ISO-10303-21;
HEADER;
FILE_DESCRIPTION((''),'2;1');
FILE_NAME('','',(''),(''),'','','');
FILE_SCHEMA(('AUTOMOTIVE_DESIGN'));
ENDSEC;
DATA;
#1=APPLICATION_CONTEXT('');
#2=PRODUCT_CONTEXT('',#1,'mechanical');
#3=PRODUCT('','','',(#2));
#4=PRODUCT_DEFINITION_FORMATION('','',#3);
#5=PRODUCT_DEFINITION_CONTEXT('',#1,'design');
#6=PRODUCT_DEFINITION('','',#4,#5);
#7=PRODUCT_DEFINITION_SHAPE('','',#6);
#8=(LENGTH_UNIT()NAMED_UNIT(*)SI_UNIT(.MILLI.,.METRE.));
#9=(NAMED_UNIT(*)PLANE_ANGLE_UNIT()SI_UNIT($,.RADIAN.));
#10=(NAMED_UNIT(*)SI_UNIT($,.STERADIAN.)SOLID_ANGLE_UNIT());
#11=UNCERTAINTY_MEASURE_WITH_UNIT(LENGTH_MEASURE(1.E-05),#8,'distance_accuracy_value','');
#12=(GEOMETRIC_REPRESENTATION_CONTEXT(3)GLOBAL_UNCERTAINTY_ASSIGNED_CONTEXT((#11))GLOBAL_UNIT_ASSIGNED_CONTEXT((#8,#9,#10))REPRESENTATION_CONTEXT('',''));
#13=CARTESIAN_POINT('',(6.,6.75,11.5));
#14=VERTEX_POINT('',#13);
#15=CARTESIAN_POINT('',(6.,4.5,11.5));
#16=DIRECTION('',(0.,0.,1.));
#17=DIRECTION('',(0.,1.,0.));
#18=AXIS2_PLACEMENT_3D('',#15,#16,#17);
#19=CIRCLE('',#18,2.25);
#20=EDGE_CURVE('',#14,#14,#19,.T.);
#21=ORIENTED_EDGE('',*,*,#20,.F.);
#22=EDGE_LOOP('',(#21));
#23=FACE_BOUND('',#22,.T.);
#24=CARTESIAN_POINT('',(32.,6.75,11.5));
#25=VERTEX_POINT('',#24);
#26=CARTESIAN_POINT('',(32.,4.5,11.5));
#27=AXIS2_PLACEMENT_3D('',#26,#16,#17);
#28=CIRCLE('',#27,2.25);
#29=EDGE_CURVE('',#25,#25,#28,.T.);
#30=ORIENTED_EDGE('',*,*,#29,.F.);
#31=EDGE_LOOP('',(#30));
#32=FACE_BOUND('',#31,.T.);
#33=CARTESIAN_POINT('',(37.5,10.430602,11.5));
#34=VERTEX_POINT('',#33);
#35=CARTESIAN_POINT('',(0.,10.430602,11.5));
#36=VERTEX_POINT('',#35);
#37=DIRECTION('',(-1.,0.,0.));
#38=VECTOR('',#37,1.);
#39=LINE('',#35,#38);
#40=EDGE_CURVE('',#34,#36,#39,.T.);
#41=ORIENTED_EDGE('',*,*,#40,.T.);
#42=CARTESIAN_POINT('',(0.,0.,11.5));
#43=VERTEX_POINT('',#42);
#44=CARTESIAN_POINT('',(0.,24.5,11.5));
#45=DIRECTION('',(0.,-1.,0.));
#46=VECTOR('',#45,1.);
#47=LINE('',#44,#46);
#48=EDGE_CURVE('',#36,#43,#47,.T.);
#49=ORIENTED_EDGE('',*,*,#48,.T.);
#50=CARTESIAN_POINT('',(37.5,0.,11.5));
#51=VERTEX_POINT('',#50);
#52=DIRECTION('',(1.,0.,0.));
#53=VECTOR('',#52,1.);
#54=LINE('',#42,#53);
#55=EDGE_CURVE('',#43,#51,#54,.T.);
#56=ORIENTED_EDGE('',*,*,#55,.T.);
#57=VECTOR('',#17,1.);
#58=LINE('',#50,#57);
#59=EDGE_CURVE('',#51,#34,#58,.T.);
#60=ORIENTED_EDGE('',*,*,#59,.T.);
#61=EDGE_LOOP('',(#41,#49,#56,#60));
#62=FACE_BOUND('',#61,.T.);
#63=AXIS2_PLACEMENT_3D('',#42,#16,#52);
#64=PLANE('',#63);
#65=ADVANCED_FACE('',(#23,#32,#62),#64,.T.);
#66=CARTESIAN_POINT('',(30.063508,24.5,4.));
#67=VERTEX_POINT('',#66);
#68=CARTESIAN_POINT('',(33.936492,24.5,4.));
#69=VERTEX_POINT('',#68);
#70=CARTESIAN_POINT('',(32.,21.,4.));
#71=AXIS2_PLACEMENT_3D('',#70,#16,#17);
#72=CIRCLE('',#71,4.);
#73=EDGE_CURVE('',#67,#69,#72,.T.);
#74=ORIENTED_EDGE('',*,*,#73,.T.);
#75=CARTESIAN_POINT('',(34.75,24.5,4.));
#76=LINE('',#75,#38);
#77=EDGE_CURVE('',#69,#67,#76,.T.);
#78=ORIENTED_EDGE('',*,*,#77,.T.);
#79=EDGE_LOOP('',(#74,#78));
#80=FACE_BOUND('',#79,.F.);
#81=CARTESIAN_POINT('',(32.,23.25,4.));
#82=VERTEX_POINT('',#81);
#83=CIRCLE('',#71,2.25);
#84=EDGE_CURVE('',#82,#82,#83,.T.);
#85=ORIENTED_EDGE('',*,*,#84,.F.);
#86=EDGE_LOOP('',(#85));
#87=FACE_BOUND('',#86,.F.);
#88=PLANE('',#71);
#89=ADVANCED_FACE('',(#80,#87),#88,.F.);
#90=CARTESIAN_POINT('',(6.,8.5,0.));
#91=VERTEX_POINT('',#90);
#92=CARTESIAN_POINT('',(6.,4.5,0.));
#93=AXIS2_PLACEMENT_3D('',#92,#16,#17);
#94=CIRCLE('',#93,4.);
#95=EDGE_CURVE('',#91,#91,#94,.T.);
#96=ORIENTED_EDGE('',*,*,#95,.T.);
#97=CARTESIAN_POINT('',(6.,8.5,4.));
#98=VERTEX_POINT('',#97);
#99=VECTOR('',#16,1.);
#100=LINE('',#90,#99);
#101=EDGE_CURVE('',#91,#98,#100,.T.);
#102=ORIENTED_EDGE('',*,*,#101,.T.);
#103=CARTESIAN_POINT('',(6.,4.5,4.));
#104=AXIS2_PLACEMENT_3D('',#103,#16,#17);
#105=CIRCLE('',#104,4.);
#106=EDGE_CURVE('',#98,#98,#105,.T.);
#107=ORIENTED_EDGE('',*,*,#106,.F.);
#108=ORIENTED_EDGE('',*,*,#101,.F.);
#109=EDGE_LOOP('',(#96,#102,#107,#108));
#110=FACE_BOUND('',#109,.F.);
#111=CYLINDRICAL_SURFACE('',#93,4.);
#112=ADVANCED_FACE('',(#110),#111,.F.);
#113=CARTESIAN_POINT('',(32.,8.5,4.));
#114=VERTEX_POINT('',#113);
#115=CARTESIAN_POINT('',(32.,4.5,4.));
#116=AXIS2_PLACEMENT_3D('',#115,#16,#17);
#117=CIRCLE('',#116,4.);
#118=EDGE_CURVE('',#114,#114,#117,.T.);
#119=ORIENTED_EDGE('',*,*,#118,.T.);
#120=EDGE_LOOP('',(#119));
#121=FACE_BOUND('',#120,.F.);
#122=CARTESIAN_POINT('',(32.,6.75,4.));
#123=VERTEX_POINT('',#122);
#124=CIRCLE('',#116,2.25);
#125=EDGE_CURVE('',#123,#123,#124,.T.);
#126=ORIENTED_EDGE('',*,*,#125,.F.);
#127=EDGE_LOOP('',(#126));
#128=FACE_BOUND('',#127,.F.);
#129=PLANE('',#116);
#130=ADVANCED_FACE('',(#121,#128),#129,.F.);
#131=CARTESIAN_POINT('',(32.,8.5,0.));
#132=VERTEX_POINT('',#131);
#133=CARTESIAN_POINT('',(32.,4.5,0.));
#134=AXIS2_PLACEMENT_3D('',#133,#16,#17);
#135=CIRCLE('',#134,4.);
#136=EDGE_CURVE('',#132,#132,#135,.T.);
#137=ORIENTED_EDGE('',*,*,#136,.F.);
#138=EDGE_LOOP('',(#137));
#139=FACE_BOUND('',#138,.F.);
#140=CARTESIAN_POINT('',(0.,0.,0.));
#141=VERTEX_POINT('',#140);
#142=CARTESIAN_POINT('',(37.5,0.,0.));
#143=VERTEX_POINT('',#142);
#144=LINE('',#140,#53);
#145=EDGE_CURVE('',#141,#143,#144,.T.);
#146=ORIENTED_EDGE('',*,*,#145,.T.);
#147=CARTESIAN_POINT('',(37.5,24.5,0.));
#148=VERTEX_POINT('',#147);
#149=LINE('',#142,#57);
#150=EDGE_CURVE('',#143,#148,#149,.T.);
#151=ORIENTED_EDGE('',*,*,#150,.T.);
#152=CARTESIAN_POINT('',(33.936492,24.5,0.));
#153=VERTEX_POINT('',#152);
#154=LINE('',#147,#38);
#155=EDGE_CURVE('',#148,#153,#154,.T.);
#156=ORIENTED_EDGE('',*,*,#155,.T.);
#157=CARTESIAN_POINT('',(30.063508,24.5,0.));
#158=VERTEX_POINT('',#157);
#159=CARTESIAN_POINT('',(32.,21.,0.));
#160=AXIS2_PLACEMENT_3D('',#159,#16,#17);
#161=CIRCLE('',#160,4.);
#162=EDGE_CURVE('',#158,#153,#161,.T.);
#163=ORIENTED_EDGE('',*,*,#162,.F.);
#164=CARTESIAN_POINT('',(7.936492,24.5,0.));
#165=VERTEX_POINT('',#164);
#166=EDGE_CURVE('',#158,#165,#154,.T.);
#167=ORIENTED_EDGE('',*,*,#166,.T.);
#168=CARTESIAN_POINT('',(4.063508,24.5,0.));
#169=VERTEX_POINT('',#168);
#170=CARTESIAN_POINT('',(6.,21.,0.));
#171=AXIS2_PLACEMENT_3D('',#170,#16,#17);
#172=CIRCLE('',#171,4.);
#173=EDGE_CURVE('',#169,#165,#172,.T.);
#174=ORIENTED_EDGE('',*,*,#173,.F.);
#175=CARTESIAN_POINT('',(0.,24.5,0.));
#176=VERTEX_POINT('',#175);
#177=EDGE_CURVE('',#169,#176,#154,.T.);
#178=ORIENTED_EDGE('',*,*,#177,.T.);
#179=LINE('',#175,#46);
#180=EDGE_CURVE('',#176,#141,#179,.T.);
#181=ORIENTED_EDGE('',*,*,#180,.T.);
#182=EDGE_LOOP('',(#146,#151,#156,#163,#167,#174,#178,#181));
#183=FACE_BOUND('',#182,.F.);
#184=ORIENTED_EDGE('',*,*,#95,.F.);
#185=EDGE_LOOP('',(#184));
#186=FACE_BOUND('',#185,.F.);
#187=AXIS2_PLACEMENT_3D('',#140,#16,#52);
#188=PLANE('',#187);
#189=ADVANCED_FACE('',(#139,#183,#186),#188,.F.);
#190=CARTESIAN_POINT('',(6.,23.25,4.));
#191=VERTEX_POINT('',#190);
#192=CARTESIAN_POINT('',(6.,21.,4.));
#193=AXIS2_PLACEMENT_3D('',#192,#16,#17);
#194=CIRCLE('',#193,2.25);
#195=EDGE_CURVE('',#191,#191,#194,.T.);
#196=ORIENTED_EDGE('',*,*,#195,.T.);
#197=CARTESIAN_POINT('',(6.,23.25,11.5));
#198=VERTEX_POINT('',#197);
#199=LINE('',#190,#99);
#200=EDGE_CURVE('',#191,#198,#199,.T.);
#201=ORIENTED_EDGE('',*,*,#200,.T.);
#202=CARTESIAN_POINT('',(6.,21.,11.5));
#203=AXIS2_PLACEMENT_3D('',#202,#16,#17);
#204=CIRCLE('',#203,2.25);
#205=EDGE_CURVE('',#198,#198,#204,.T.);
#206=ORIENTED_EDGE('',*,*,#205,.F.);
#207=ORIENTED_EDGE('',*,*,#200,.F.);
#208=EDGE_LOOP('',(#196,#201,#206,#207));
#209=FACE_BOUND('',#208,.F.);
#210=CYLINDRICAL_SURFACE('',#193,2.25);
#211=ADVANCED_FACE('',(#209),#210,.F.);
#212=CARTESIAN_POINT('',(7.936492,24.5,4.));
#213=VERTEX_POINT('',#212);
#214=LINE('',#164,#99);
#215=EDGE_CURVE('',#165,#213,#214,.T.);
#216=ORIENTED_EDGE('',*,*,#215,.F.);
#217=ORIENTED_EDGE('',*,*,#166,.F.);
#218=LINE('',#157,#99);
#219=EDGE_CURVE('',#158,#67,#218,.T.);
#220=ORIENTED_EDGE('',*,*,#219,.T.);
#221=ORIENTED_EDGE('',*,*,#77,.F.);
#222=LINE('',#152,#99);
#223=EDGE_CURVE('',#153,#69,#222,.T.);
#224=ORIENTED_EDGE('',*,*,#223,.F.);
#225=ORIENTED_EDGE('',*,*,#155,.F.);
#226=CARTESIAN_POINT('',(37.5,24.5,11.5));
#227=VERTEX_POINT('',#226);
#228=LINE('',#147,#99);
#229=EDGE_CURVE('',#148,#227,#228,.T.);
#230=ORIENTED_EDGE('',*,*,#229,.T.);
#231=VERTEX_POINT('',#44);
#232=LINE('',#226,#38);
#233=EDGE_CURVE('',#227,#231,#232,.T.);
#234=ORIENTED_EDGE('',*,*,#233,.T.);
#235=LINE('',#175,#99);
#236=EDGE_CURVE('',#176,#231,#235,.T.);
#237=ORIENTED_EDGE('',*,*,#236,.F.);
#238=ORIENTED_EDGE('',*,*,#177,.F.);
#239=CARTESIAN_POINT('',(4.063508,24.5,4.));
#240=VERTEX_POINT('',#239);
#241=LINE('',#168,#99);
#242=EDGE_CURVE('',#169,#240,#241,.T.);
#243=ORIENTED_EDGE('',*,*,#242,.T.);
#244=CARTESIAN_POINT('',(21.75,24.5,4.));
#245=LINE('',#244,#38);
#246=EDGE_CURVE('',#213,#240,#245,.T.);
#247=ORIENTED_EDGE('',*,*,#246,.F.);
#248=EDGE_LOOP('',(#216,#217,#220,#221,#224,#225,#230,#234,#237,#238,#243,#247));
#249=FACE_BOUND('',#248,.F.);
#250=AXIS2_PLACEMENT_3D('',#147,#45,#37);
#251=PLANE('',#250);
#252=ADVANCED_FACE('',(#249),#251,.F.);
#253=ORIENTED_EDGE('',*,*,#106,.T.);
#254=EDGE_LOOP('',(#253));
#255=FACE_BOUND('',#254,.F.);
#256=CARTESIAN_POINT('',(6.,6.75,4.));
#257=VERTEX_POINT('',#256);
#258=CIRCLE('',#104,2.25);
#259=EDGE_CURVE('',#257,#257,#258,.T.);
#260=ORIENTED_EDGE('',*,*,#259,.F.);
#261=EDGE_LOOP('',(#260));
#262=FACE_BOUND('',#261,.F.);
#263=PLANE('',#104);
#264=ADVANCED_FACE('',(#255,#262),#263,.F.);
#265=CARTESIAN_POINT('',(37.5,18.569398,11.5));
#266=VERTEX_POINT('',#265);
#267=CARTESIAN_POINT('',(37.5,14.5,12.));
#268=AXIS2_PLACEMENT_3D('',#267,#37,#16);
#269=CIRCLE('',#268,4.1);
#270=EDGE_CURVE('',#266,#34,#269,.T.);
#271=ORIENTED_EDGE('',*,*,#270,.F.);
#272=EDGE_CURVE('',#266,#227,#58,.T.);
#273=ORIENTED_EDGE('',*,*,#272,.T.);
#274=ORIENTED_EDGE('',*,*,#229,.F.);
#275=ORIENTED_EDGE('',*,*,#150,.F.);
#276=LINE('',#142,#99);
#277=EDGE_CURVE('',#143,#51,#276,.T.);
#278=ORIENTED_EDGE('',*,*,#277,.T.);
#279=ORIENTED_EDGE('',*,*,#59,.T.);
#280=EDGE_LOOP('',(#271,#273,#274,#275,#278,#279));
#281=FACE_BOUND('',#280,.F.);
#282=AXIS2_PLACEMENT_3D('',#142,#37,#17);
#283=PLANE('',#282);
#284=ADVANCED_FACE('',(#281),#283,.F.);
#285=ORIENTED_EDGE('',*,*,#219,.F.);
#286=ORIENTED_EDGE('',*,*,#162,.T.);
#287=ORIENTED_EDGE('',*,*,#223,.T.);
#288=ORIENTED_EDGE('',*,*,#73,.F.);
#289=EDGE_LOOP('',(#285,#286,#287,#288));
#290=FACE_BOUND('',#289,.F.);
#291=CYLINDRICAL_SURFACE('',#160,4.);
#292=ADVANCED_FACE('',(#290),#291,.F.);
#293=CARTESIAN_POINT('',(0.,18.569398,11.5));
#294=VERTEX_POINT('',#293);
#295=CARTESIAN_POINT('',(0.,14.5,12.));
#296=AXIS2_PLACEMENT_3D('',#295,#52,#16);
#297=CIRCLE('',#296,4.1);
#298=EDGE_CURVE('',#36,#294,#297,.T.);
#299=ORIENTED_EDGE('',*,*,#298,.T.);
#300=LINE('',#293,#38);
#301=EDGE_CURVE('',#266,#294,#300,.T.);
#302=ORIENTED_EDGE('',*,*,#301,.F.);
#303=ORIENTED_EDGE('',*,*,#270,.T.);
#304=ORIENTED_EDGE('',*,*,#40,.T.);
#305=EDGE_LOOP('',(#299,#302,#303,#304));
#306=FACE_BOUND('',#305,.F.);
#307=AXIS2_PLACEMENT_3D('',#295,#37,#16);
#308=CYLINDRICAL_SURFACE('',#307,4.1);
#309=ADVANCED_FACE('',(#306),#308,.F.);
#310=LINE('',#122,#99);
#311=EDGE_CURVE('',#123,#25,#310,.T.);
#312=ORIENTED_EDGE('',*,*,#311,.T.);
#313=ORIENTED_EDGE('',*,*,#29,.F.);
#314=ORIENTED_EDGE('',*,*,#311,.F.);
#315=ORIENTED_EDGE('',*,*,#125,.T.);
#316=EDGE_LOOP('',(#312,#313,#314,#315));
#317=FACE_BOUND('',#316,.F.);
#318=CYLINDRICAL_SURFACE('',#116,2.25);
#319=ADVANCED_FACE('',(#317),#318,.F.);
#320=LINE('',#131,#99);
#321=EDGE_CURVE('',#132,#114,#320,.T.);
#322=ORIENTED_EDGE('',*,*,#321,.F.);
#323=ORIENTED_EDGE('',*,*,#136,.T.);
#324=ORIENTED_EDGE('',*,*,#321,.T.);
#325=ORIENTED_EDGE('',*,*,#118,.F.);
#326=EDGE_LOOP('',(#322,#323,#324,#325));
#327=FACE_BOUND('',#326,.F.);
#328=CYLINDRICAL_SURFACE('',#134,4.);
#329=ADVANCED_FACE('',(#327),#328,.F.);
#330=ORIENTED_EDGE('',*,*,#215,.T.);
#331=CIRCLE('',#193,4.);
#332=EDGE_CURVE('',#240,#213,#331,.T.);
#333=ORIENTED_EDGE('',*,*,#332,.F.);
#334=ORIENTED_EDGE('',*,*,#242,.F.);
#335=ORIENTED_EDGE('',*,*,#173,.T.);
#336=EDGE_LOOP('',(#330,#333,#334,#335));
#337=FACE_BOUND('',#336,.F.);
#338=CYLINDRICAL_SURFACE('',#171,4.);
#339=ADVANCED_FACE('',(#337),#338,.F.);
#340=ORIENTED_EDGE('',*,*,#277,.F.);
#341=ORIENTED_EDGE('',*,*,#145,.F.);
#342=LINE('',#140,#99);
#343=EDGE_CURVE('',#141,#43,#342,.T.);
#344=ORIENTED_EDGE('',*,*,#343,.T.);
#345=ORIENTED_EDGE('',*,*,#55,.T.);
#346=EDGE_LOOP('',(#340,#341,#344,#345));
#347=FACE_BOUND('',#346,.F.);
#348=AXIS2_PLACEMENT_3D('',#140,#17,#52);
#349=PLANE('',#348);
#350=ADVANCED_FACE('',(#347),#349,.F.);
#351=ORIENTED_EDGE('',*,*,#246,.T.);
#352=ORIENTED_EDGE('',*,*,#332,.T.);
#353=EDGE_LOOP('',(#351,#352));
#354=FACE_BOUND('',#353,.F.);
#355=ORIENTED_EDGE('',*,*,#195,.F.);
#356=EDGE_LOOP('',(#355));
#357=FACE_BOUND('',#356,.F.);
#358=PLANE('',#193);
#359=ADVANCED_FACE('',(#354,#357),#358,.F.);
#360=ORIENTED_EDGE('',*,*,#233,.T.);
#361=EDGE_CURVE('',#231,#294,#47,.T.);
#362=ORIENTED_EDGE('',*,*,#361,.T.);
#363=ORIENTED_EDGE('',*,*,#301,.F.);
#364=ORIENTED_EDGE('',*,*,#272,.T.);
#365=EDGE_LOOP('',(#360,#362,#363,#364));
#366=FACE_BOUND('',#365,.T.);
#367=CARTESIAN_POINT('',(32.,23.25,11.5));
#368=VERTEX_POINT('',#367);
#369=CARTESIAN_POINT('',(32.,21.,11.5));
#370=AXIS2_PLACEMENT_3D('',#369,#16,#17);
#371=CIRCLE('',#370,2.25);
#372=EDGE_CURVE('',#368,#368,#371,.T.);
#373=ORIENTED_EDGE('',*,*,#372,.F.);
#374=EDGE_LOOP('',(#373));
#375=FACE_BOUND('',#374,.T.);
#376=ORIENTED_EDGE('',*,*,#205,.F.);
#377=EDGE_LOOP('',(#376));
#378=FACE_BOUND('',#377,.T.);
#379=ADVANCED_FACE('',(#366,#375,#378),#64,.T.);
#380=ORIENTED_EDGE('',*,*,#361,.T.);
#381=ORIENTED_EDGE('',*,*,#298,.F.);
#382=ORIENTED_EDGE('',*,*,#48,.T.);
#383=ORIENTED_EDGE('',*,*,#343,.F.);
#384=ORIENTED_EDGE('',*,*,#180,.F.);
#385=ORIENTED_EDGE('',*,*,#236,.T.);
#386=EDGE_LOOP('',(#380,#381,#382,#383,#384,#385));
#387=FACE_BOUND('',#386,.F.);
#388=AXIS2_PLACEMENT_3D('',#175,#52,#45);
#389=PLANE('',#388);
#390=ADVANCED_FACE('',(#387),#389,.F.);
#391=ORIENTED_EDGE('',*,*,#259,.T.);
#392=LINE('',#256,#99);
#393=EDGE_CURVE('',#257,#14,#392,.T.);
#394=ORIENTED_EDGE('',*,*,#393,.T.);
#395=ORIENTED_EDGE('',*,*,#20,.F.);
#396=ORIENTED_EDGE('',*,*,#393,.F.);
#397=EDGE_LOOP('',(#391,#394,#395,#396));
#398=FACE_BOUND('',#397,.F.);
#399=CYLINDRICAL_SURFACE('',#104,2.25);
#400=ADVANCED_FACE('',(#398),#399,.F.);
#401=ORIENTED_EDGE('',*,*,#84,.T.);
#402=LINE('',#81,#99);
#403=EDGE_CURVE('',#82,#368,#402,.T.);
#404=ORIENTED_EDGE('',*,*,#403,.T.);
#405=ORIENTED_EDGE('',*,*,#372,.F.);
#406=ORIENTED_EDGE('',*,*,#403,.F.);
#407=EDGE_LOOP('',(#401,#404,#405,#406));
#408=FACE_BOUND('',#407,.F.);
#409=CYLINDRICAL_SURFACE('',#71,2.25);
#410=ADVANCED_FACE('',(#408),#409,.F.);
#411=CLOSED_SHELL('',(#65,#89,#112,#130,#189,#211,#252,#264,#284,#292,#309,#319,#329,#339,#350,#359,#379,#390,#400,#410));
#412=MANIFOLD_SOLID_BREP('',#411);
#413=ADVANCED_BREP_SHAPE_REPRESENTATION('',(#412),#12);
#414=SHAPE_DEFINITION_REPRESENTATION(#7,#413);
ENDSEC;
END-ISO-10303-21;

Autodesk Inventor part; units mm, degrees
ref_plane "YZ Plane" through (0, 0, 0) normal (1, 0, 0) x (0, 1, 0)
ref_plane "XZ Plane" through (0, 0, 0) normal (0, 1, 0) x (-1, 0, 0)
ref_plane "XY Plane" through (0, 0, 0) normal (0, 0, 1) x (1, 0, 0)
sketch "Sketch1" plane through (0, 0, 0) normal (0, 0, 1) x (1, 0, 0)
  line L0 (0, 0) -> (37.5, 0)
  line L1 (37.5, 0) -> (37.5, 24.5)
  line L2 (37.5, 24.5) -> (0, 24.5)
  line L3 (0, 24.5) -> (0, 0)
  dimension "d0" = 37.5
  dimension "d1" = 24.5
extrude "Extrusion1" add sketch "Sketch1" along normal blind 11.5
sketch "Sketch2" plane through (0, 0, 0) normal (-1, 0, 0) x (0, 0, 1)
  line L0 (11.5, 24.5) -> (11.5, 0) projected
  line L1 (0, 24.5) -> (11.5, 24.5) projected
  circle A0 centre (12, 14.5) radius 4.1
  dimension "d4" = 8.2
  dimension "d5" = 0.5
  dimension "d6" = 10
extrude "Extrusion2" cut sketch "Sketch2" against normal up to surface (37.5 mm away)
sketch "Sketch3" plane through (0, 0, 0) normal (0, 0, -1) x (-1, 0, 0)
  line L0 (0, 24.5) -> (0, 0) projected
  line L1 (0, 18.5694) -> (0, 10.4306) projected
  line L2 (0, 0) -> (-37.5, 0) projected
  point P0 (-6, 21)
  point P1 (-32, 21)
  point P2 (-32, 4.5)
  point P3 (-6, 4.5)
  dimension "d9" = 6
  dimension "d10" = 32
  dimension "d30" = 4.5
  dimension "d32" = 21
hole "Hole1" at (6, 21, 0) at (32, 21, 0) at (32, 4.5, 0) at (6, 4.5, 0) direction (0, 0, 1) diameter 4.5 depth 11.5 counterbore diameter 8 counterbore depth 4
properties part number "YMotorCapLeft" material "ABS Plastic"
